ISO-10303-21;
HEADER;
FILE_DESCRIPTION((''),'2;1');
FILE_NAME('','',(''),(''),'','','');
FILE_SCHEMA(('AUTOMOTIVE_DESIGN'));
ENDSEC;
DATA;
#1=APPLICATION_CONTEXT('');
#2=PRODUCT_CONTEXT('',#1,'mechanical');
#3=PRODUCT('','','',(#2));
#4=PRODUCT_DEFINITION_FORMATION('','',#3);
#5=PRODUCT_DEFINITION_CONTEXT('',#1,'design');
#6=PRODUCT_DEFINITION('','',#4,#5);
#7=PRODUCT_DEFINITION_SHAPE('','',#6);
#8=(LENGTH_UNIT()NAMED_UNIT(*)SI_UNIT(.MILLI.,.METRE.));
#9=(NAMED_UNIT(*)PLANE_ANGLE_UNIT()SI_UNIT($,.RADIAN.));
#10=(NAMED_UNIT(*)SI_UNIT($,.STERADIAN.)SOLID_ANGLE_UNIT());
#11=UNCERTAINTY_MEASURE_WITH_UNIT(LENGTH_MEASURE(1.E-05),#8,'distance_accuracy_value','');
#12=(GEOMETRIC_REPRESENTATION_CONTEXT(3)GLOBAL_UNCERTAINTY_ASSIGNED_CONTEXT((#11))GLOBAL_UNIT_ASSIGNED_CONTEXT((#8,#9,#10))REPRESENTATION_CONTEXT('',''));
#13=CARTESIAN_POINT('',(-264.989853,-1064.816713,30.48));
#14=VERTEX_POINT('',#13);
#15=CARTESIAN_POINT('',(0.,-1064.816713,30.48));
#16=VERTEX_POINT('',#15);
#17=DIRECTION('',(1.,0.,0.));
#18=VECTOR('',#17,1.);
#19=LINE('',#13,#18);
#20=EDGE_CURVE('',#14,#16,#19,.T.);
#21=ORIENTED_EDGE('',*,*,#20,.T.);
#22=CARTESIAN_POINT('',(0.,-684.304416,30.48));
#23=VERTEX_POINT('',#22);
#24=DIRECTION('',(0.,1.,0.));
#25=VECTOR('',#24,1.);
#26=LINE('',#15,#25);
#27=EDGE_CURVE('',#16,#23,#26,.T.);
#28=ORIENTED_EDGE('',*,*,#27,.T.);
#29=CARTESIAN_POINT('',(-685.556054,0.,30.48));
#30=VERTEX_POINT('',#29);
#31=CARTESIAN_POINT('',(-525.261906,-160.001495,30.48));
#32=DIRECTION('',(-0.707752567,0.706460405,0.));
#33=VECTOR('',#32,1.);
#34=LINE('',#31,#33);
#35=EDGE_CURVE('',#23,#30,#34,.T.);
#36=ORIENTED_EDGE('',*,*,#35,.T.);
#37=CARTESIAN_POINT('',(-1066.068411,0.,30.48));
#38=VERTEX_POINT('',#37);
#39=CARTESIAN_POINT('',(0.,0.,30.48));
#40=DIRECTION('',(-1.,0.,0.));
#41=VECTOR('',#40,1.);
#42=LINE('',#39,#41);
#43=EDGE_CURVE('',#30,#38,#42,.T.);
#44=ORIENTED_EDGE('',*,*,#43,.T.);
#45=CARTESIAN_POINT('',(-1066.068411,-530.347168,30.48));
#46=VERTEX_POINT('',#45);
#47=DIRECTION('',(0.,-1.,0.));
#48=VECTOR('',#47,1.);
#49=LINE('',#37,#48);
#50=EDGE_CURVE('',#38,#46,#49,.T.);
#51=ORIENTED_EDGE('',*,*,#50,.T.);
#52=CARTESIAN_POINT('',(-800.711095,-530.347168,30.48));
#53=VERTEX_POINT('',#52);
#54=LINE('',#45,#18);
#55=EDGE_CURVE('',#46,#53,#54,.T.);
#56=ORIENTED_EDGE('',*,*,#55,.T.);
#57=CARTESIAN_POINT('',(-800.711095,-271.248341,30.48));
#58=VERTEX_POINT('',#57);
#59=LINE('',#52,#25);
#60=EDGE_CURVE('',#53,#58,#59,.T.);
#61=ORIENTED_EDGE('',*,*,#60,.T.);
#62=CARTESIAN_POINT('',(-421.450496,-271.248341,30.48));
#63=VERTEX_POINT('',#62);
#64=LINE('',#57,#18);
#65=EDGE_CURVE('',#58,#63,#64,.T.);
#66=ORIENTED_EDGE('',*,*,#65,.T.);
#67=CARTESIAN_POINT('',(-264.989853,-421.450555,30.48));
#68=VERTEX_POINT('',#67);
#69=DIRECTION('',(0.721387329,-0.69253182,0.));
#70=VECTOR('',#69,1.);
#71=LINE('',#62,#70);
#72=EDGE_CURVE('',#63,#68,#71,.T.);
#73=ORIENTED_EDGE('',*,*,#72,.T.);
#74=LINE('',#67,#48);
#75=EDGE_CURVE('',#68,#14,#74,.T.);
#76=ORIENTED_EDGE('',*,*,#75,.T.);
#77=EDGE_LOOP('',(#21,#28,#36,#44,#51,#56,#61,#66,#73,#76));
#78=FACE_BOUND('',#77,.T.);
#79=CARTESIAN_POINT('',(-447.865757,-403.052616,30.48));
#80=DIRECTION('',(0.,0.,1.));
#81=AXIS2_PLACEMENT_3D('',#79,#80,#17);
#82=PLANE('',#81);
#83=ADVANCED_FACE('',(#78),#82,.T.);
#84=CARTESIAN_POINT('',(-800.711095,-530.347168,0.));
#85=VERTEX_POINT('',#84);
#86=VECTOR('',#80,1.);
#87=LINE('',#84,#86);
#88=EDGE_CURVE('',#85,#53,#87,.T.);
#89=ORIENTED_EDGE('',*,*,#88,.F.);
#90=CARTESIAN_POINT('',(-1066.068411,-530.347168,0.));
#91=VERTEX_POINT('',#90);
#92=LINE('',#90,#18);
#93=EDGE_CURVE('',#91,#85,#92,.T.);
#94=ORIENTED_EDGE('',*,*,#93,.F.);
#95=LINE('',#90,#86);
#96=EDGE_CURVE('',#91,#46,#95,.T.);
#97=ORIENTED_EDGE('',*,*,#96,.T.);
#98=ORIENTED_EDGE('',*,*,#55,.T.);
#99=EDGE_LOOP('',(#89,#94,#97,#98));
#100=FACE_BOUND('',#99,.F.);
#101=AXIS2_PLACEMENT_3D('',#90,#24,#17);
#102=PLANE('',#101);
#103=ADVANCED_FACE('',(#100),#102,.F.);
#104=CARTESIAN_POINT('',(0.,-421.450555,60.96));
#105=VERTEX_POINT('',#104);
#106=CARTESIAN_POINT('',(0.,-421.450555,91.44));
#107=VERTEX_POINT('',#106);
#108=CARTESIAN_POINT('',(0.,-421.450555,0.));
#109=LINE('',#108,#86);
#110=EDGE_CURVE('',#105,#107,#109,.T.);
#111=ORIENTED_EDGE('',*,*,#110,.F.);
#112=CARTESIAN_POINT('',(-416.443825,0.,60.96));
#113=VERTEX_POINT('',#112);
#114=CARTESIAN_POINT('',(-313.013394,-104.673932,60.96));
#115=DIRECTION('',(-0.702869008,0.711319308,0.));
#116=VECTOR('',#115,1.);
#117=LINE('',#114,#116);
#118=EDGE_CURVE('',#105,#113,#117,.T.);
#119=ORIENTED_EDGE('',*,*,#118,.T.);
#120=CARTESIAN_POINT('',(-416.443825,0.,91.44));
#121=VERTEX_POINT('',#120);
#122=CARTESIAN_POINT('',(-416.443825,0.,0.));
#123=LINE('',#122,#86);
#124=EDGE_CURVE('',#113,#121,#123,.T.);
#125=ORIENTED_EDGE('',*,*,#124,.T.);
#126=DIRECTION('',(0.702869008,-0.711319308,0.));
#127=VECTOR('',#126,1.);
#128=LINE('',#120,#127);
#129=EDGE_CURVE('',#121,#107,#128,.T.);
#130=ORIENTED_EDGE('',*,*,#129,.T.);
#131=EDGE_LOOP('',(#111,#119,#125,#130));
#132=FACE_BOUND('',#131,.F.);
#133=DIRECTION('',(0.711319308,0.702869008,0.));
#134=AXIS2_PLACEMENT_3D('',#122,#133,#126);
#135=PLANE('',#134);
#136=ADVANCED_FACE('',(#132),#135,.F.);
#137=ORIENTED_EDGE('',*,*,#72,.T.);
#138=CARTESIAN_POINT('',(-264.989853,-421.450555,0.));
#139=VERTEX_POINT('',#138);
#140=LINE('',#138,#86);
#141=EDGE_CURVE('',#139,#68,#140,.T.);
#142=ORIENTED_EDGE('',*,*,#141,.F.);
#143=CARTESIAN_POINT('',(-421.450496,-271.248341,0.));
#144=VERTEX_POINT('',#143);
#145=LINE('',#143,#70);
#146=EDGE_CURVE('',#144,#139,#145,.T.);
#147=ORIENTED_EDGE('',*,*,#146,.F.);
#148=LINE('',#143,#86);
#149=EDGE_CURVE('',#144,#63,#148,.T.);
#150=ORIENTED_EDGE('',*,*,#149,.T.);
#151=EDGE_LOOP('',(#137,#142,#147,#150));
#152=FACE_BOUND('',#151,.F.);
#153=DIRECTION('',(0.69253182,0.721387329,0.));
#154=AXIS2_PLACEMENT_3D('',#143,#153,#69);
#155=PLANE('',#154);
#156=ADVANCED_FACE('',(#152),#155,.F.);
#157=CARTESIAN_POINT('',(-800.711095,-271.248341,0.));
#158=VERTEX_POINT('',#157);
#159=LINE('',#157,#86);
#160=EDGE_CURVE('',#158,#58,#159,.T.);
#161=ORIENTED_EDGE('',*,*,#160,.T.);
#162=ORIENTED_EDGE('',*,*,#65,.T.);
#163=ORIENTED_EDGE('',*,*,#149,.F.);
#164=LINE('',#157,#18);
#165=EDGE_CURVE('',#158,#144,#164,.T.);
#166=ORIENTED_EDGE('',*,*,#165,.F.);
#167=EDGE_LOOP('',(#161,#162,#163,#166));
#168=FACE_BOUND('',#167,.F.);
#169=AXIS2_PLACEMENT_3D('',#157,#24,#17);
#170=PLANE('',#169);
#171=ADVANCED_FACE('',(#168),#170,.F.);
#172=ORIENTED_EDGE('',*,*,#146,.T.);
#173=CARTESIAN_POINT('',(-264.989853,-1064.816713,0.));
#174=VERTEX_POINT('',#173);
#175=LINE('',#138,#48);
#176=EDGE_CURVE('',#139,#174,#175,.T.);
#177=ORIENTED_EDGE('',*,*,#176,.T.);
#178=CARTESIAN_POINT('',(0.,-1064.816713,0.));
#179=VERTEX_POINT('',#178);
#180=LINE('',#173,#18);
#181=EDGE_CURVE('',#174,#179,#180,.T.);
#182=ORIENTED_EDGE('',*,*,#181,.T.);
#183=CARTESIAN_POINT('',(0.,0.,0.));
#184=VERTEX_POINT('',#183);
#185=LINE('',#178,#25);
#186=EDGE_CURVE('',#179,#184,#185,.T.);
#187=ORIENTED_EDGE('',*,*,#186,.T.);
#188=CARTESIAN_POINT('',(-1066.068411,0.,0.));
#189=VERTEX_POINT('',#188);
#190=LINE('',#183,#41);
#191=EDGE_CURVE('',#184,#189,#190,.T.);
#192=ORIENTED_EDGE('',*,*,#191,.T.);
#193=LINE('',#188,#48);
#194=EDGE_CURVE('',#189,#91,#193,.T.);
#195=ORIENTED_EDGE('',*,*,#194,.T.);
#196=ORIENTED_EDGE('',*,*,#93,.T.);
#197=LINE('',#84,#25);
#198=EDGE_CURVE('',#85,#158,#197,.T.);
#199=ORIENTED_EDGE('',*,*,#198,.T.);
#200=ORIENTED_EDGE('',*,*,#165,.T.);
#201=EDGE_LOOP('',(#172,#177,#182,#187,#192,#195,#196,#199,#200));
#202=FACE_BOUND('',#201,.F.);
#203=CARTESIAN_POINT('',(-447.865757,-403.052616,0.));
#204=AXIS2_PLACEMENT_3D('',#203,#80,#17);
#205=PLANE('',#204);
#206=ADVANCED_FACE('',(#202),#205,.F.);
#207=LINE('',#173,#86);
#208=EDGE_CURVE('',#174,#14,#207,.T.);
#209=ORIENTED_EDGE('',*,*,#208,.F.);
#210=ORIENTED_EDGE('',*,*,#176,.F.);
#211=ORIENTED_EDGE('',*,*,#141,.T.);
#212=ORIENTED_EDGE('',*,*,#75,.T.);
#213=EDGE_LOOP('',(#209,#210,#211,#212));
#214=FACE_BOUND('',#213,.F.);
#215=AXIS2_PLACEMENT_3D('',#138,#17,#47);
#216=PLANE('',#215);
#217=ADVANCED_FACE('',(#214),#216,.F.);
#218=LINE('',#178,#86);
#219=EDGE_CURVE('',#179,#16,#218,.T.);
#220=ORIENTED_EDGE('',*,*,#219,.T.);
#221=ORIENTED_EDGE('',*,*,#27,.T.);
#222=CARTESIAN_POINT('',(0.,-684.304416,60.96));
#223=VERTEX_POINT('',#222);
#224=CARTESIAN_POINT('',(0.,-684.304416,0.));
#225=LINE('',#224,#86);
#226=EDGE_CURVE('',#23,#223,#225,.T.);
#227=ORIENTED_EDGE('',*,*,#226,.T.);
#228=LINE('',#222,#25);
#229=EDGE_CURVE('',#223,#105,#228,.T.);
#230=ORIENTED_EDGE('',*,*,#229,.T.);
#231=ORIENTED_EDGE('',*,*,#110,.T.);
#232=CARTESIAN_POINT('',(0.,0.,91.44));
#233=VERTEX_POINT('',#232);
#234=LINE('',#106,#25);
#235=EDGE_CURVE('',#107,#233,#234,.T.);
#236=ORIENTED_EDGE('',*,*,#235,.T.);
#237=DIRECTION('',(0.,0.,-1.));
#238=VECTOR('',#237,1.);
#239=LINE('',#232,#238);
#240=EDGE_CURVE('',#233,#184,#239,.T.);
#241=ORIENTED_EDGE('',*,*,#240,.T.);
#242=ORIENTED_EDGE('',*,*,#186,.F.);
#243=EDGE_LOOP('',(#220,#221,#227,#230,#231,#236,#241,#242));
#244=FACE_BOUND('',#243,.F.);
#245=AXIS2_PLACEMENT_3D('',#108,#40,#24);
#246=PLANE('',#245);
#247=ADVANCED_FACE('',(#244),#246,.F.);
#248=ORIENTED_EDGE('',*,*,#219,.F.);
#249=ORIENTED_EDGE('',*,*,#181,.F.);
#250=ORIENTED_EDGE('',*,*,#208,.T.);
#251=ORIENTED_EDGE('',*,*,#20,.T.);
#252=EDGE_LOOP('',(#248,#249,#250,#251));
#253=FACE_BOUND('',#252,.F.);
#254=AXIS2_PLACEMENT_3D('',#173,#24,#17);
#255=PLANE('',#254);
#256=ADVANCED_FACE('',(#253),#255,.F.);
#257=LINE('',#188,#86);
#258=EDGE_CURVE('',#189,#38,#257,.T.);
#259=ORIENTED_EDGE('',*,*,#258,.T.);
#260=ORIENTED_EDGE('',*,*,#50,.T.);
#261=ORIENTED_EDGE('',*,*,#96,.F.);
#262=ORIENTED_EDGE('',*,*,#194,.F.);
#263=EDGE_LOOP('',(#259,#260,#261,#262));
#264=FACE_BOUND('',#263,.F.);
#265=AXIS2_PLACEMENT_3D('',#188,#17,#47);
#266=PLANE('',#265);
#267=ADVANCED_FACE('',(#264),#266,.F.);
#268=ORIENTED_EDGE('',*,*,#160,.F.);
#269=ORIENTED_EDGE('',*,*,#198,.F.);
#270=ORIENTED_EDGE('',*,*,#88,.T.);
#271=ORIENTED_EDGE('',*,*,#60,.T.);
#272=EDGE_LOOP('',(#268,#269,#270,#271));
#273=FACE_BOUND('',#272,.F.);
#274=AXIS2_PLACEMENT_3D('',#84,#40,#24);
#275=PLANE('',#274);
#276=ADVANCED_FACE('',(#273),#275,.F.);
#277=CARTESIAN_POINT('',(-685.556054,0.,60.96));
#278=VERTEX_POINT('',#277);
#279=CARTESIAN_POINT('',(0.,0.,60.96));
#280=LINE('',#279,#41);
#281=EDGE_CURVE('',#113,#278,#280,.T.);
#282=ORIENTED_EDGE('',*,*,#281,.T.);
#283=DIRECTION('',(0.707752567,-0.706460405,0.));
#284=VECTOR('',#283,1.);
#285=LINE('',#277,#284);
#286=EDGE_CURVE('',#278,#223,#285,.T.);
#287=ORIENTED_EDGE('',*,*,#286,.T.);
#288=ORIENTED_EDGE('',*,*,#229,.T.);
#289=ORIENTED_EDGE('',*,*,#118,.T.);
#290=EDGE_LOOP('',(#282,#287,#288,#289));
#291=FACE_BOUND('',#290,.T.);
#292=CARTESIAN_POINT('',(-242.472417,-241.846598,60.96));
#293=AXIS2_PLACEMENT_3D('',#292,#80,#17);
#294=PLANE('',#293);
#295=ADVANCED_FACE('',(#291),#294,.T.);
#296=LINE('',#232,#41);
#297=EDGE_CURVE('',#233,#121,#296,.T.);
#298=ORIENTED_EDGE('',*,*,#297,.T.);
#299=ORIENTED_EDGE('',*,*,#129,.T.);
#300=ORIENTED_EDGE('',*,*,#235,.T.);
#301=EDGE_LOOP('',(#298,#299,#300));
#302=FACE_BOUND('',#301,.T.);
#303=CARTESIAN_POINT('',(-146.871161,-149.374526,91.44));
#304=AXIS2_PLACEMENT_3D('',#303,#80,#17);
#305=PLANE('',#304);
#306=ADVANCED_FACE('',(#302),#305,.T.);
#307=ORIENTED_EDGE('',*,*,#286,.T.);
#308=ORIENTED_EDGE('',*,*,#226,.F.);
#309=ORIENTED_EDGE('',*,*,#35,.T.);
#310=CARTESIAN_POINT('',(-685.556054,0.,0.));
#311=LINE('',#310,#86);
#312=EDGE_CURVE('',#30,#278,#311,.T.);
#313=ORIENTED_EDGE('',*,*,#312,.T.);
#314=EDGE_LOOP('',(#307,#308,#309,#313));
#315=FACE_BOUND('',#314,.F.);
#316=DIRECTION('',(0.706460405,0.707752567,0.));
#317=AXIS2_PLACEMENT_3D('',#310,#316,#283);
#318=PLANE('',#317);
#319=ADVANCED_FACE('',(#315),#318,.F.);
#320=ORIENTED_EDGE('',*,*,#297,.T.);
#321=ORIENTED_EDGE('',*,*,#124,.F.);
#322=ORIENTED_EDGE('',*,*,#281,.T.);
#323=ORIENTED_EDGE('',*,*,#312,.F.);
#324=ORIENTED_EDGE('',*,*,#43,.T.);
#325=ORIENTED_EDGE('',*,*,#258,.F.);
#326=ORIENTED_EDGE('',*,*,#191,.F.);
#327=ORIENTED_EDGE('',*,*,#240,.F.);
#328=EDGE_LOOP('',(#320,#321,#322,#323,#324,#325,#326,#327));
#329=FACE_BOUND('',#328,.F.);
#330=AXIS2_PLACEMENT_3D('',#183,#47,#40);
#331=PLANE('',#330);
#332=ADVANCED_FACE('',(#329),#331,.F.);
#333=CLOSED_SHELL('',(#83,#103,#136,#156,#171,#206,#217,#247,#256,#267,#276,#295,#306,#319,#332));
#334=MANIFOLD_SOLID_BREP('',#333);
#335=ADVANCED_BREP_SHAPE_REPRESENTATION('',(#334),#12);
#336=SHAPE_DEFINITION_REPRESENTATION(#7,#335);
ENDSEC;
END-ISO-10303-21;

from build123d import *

# Parameters (mm, degrees)
F1_DEPTH = 30.48
F3_DEPTH = 60.96
F5_DEPTH = 91.44


with BuildPart() as f1:
    # F0 (on Top) → F1 (new body)
    with BuildSketch(Plane.XY):
        Polygon((-1066.068411, 0), (-1066.068411, -530.347168), (-800.711095, -530.347168), (-800.711095, -271.248341), (-421.450496, -271.248341), (-264.989853, -421.450555), (-264.989853, -1064.816713), (0, -1064.816713), (0, 0), align=None)
    extrude(amount=F1_DEPTH)

    # F2 (on Top) → F3 (join)
    with BuildSketch(Plane.XY):
        Polygon((0, 0), (-685.556054, 0), (0, -684.304416), align=None)
    extrude(amount=F3_DEPTH)

    # F4 (on Top) → F5 (join)
    with BuildSketch(Plane.XY):
        Polygon((0, 0), (-416.443825, 0), (0, -421.450555), align=None)
    extrude(amount=F5_DEPTH)


solid = f1.part
